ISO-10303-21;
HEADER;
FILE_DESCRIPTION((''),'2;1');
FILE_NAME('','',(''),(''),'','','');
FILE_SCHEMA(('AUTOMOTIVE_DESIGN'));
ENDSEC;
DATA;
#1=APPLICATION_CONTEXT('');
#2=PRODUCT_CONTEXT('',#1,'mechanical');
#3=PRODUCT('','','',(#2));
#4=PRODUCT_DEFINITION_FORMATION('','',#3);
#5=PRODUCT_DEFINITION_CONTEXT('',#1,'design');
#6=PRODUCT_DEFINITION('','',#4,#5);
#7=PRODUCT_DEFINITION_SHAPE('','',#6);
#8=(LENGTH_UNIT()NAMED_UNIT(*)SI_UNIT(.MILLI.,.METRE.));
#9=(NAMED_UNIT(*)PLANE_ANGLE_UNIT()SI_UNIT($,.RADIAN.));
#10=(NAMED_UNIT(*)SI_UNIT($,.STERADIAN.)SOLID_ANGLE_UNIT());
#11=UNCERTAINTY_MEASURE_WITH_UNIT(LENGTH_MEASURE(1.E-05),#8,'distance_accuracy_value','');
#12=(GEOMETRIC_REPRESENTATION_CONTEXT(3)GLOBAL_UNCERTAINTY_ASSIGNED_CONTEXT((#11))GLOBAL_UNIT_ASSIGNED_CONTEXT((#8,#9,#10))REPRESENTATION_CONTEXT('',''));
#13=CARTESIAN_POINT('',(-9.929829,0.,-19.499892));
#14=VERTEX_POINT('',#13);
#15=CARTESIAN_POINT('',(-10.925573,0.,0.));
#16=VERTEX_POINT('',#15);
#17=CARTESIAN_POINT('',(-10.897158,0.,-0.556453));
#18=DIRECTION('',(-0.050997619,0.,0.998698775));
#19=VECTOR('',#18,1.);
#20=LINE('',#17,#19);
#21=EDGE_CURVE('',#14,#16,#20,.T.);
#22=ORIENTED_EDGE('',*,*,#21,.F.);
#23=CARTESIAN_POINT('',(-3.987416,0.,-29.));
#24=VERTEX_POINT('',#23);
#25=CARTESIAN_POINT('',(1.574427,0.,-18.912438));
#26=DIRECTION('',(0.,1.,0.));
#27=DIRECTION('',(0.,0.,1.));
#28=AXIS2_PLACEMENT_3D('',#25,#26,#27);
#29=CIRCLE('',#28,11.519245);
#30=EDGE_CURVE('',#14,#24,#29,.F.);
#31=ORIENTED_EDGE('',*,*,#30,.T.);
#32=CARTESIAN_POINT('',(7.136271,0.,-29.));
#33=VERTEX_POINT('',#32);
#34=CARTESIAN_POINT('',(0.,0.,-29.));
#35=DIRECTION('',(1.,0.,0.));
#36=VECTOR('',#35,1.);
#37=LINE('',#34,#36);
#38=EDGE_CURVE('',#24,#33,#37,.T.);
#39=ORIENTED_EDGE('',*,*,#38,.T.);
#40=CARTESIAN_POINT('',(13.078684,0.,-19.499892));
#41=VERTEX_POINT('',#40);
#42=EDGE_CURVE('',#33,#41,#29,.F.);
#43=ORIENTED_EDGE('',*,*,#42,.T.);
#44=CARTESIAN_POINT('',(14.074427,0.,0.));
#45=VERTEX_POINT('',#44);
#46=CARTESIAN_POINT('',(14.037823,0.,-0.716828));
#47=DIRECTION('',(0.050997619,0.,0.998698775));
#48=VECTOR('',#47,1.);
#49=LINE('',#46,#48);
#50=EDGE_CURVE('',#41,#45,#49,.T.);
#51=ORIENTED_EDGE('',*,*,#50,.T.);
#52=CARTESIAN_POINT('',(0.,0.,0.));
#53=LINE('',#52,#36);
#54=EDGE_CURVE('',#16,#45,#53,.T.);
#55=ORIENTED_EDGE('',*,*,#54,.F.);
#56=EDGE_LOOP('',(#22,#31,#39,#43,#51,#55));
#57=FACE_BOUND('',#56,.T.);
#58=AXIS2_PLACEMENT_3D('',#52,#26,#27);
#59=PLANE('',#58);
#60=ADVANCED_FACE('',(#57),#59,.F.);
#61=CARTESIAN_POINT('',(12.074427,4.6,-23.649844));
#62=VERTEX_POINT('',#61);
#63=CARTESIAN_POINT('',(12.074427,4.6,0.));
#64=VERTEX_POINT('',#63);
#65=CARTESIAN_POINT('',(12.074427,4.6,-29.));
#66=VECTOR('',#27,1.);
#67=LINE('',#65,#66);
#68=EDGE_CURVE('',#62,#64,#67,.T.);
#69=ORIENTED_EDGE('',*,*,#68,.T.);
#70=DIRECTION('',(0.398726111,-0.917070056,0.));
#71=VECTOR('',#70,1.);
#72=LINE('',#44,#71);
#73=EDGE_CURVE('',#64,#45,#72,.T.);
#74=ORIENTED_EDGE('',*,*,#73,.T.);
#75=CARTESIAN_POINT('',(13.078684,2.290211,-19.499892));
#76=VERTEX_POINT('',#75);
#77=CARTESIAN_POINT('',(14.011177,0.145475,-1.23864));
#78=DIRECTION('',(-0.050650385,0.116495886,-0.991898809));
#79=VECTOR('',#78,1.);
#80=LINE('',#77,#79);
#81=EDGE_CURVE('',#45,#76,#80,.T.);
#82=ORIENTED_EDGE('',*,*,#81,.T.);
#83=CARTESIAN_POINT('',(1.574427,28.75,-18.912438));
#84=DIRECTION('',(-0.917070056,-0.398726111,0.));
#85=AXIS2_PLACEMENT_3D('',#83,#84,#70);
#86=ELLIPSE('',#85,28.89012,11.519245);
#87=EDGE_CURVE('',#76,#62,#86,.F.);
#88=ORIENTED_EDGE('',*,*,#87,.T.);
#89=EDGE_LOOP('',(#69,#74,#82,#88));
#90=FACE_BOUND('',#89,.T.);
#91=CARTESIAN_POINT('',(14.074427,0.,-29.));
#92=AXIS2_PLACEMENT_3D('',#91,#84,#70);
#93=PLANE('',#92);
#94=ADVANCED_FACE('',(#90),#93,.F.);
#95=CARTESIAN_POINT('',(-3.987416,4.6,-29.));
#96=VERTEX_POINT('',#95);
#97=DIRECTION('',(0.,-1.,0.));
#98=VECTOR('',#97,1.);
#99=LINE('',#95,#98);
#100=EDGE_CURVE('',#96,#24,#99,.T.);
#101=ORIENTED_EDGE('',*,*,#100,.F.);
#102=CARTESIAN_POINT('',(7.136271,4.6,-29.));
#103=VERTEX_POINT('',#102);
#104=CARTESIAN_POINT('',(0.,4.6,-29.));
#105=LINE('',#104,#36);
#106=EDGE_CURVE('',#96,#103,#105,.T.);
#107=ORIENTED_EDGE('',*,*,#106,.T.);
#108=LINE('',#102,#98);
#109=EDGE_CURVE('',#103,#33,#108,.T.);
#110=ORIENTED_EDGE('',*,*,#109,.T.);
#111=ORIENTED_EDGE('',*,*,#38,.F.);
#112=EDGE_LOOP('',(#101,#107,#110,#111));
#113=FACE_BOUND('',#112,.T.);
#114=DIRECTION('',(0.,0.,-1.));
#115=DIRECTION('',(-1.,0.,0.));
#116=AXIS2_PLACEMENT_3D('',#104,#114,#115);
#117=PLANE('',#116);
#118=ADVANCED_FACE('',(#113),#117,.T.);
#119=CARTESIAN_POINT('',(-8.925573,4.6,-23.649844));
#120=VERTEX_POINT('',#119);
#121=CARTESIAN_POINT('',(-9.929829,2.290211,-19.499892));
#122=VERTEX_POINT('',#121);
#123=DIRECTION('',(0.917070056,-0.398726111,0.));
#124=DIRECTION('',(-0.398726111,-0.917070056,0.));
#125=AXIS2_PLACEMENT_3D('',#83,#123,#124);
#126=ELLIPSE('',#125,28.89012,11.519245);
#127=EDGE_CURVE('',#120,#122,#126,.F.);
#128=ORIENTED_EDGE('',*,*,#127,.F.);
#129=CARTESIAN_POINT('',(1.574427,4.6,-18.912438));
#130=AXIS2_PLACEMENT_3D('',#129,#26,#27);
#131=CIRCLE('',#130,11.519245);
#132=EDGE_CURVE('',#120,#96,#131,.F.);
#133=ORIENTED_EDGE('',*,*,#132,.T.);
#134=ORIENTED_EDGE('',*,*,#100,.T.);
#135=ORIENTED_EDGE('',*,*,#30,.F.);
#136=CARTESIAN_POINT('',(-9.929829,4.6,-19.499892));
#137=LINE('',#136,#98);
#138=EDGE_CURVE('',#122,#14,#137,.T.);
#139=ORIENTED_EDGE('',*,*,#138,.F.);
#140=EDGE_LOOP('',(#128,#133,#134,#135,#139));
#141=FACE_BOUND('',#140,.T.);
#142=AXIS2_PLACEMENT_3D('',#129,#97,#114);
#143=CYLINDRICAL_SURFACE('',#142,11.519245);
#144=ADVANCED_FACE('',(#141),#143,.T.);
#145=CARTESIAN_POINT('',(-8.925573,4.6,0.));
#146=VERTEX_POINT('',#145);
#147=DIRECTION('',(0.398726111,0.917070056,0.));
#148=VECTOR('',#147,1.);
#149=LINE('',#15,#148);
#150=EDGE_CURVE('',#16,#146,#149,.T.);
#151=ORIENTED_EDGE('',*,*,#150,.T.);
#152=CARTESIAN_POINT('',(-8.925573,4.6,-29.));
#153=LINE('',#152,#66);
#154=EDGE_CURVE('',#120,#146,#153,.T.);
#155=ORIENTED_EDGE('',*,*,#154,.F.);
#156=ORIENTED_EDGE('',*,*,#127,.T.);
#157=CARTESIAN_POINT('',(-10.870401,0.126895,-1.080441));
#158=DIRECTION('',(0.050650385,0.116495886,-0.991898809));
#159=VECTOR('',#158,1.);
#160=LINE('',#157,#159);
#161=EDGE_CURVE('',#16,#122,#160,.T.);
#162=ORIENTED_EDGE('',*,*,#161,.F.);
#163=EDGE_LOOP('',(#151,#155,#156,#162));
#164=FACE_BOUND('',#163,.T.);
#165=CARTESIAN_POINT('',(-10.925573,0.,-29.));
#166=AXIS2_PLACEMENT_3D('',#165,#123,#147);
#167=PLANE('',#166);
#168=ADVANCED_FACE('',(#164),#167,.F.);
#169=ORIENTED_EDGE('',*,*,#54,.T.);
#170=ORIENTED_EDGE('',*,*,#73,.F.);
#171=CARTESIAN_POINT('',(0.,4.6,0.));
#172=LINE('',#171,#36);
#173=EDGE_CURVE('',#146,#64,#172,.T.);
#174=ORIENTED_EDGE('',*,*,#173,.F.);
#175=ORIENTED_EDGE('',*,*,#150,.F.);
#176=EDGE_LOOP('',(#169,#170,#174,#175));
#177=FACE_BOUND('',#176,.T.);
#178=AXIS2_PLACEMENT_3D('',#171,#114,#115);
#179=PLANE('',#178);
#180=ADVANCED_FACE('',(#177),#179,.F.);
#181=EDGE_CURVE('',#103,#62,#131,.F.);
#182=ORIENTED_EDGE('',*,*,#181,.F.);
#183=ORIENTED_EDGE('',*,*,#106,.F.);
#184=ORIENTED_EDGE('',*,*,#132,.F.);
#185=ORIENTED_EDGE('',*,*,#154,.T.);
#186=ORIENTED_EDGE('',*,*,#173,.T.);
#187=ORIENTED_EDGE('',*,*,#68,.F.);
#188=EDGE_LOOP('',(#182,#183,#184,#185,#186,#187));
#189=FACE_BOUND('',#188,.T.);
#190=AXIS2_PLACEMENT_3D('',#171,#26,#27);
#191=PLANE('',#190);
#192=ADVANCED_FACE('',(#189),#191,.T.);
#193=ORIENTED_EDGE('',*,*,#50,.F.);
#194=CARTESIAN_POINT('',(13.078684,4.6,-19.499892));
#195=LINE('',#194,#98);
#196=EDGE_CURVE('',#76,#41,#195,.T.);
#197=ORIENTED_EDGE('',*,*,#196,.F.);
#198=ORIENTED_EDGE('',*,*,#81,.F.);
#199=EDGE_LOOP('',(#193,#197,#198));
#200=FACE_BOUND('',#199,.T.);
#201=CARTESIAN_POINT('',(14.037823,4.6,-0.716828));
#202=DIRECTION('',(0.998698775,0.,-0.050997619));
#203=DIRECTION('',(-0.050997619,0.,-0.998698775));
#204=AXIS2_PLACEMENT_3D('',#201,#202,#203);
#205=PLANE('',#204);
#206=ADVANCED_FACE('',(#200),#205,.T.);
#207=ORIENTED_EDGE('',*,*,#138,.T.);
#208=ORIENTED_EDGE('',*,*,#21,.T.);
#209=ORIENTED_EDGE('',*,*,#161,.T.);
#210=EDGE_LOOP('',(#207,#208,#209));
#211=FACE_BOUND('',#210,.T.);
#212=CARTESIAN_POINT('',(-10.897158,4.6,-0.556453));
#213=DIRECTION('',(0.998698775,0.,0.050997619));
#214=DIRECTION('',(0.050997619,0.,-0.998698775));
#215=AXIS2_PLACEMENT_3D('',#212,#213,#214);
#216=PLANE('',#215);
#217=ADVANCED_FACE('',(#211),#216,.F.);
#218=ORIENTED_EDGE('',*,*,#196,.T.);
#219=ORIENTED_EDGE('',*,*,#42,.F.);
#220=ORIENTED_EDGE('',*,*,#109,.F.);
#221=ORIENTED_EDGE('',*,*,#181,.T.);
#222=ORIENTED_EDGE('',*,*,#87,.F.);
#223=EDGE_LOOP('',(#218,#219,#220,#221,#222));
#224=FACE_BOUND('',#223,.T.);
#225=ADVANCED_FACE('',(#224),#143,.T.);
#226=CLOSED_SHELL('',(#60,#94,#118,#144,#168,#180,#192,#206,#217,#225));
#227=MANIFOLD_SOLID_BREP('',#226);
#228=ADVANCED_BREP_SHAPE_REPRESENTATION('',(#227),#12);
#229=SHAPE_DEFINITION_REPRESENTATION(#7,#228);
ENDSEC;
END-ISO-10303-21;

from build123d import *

# Parameters (mm, degrees)
EXTRUDE_1_DEPTH     = 4.6
CUT_EXTRUDE_1_DEPTH = 33.561472769


with BuildPart() as part:
    # 草图1 → 凸台-拉伸1 (new body)
    with BuildSketch(Plane(origin=(0, 0, 0), x_dir=(1, 0, 0), z_dir=(0, 1, 0))):
        with BuildLine():
            Line((-10.925572519, 0), (14.074427481, 0))
            Line((14.074427481, 0), (13.078683741, 19.499891752))
            ThreePointArc((13.078683741, 19.499891752), (11.340488735, 25.021206932), (7.136270744, 29))
            Line((7.136270744, 29), (-3.987415782, 29))
            ThreePointArc((-3.987415782, 29), (-8.191633773, 25.021206932), (-9.929828779, 19.499891752))
            Line((-9.929828779, 19.499891752), (-10.925572519, 0))
        make_face()
    extrude(amount=EXTRUDE_1_DEPTH)

    # 草图6 → 切除-拉伸1 (cut, through all)
    with BuildSketch(Plane.XY):
        Polygon((-10.925572519, 0), (-8.925572519, 4.6), (-10.925572519, 4.6), align=None)
        Polygon((12.074427481, 4.6), (14.074427481, 4.6), (14.074427481, 0), align=None)
    extrude(amount=-CUT_EXTRUDE_1_DEPTH, mode=Mode.SUBTRACT)


solid = part.part
